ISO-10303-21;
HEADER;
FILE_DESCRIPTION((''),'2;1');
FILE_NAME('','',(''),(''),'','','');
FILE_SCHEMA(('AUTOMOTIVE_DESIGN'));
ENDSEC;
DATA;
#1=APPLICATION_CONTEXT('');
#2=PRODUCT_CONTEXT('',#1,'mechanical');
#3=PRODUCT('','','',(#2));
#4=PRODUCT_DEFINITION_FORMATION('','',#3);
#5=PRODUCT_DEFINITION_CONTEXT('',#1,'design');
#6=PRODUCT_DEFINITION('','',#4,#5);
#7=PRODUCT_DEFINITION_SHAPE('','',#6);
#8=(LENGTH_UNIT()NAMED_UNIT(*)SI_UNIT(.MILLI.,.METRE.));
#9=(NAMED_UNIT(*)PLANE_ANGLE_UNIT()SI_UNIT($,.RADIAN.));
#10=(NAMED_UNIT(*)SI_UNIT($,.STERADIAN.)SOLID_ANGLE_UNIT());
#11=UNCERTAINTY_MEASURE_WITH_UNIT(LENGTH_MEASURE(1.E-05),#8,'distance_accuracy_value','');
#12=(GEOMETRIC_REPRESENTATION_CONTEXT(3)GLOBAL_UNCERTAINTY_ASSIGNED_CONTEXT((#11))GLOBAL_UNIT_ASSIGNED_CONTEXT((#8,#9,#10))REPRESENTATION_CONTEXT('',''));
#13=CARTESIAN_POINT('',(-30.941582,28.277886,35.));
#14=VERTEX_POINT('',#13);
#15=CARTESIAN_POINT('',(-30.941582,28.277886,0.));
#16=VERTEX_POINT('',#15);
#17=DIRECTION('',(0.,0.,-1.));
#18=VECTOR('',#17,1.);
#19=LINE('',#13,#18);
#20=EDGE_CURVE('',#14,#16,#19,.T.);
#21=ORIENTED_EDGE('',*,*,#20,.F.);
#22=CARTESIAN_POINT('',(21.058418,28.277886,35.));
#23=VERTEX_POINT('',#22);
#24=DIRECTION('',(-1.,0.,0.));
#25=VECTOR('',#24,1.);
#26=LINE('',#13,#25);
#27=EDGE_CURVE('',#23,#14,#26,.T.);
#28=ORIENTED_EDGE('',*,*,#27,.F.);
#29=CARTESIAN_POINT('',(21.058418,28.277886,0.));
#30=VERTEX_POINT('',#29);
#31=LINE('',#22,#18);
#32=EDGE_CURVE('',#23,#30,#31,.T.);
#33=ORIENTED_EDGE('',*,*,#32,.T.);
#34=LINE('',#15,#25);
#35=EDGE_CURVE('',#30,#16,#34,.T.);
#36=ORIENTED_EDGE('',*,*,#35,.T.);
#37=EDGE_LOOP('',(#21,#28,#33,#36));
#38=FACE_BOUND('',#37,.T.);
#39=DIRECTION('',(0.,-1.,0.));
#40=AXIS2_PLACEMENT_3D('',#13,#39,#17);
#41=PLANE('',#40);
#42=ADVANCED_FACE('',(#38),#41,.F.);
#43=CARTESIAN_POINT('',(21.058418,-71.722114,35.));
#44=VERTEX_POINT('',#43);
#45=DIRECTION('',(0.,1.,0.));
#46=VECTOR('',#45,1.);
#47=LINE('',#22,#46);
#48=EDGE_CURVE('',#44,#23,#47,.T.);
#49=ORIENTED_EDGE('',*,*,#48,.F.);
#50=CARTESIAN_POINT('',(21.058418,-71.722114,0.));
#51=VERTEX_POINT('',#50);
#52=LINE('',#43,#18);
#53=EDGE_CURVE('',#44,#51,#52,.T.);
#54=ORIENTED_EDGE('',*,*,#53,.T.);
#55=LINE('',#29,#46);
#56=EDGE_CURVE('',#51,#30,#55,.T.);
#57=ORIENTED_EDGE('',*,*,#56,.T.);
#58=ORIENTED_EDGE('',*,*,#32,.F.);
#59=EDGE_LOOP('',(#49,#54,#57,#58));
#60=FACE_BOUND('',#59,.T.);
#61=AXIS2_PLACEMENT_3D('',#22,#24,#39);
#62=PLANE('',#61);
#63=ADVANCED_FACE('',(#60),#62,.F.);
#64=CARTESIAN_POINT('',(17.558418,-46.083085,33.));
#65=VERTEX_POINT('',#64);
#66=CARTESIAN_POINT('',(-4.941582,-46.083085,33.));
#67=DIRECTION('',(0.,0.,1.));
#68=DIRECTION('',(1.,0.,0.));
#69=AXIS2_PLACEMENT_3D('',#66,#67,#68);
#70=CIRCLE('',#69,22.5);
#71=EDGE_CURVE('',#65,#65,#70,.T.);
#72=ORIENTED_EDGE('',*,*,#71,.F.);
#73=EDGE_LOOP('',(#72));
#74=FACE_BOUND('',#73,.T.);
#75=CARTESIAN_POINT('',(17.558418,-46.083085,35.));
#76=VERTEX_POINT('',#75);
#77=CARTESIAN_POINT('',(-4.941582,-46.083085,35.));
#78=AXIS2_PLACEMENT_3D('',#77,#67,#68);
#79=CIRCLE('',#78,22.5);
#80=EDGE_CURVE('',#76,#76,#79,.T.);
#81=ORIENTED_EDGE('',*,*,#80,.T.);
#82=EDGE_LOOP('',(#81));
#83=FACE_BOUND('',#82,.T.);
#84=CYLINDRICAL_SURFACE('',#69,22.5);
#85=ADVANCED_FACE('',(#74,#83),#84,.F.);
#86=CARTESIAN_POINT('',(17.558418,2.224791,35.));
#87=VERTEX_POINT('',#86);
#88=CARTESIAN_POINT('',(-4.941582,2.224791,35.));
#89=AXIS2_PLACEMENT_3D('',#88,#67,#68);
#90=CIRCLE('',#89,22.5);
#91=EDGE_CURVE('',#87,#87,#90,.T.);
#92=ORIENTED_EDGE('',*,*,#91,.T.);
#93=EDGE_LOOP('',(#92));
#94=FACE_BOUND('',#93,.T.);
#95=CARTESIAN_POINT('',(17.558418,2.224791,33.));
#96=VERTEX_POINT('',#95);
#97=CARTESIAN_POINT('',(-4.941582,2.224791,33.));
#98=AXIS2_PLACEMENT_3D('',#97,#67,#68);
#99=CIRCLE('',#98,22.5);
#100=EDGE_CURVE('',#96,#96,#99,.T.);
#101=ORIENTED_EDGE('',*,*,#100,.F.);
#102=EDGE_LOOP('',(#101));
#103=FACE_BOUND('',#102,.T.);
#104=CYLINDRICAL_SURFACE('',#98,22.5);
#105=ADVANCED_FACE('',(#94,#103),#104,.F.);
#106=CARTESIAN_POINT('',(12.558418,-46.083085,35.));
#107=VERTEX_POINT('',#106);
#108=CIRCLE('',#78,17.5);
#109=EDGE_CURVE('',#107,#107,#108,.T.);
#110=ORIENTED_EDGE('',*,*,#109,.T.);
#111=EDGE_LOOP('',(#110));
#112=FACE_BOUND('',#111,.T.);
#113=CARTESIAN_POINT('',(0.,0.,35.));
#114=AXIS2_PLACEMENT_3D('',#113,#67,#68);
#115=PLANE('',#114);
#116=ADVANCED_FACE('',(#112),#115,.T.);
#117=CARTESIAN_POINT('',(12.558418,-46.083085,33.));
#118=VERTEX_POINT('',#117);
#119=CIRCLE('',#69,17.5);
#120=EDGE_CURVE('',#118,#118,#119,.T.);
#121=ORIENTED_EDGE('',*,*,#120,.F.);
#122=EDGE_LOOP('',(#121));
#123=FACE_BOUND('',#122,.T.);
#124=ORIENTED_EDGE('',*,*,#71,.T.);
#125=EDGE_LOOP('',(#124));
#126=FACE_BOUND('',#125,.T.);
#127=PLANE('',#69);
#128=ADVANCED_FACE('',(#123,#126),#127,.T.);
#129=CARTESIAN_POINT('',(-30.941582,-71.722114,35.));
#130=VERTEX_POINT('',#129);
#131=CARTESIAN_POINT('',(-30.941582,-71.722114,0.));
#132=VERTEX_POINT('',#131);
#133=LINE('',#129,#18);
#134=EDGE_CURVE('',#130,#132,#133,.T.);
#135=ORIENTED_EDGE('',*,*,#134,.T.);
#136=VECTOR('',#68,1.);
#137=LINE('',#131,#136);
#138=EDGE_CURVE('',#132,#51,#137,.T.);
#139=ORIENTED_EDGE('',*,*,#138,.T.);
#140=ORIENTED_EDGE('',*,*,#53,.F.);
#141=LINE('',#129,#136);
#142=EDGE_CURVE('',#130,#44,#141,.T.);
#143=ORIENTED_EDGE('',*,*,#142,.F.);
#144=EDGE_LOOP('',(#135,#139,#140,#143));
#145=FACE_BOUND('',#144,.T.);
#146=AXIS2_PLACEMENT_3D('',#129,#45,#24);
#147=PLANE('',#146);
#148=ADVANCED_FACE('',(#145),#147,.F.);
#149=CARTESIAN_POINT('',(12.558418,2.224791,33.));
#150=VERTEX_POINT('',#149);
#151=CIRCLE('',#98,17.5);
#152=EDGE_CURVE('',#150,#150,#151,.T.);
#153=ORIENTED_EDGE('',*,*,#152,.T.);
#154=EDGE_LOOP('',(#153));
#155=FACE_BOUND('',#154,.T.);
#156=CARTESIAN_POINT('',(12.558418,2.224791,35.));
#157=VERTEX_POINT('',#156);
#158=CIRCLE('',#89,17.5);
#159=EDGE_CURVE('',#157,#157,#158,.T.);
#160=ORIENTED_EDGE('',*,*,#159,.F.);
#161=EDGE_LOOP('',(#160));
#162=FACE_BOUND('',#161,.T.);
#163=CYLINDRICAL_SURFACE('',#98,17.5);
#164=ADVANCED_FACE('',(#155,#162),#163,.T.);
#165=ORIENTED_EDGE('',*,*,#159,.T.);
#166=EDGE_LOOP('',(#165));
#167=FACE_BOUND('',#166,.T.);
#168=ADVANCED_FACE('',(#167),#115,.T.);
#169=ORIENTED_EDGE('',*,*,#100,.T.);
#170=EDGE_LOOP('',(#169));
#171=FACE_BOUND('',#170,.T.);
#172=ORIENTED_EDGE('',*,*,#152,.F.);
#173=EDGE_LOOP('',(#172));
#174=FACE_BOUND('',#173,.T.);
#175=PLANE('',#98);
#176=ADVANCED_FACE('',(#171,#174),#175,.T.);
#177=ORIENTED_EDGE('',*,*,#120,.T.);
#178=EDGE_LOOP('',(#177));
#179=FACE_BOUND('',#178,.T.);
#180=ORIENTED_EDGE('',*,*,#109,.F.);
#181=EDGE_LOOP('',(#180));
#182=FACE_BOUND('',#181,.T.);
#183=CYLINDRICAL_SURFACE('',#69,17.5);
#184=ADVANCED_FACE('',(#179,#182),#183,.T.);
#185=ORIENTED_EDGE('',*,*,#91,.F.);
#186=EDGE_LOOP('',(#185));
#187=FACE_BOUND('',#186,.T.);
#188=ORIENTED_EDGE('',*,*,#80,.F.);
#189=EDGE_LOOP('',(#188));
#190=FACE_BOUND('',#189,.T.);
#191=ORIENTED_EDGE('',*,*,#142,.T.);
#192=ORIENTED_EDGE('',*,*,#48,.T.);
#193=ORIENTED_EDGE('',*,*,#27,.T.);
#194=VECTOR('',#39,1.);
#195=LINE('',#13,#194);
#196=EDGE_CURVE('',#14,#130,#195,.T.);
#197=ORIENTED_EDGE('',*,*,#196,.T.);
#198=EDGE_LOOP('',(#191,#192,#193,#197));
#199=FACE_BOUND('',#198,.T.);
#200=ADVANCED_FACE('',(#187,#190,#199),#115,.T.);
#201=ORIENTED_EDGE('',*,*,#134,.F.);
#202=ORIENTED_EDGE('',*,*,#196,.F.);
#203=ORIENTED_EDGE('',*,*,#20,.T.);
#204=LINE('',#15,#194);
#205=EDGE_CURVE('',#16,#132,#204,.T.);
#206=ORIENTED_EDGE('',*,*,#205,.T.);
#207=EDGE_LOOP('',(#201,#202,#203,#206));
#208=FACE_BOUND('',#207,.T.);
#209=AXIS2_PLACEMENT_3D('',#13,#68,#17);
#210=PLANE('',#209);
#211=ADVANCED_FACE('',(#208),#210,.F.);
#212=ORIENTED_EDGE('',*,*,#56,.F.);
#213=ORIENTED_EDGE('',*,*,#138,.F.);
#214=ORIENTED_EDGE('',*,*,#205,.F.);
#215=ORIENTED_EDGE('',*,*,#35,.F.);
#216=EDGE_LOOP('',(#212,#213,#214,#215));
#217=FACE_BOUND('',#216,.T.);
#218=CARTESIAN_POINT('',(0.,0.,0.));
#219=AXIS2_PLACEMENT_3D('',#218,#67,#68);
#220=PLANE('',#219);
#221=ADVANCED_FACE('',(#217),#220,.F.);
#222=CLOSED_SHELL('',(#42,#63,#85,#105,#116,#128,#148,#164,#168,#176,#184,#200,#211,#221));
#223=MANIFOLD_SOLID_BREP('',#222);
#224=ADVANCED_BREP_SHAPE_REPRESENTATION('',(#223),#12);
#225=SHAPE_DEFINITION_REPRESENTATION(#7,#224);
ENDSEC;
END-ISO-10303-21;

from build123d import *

# Parameters (mm, degrees)
SKETCH_1_W          = 52
SKETCH_1_H          = 100
EXTRUDE_1_DEPTH     = 35
SKETCH_2_R          = 22.5
SKETCH_2_R_2        = 17.5
CUT_EXTRUDE_1_DEPTH = 2


with BuildPart() as part:
    # 草圖1 → 填料-伸長1 (new body)
    with BuildSketch(Plane.XY):
        with Locations((-4.941582483, -21.722113503)):
            Rectangle(SKETCH_1_W, SKETCH_1_H)
    extrude(amount=EXTRUDE_1_DEPTH)

    # 草圖2 → 除料-伸長1 (cut)
    # profile 1 of 2: a face of its own
    with BuildSketch(Plane.XY.offset(35)):
        with Locations((-4.941582483, 2.224790527)):
            Circle(SKETCH_2_R)
        with Locations((-4.941582483, 2.224790527)):
            Circle(SKETCH_2_R_2, mode=Mode.SUBTRACT)
    # profile 2 of 2: a face of its own
    with BuildSketch(Plane.XY.offset(35)):
        with Locations((-4.941582483, -46.083085038)):
            Circle(SKETCH_2_R)
        with Locations((-4.941582483, -46.083085038)):
            Circle(SKETCH_2_R_2, mode=Mode.SUBTRACT)
    extrude(amount=-CUT_EXTRUDE_1_DEPTH, mode=Mode.SUBTRACT)


solid = part.part
